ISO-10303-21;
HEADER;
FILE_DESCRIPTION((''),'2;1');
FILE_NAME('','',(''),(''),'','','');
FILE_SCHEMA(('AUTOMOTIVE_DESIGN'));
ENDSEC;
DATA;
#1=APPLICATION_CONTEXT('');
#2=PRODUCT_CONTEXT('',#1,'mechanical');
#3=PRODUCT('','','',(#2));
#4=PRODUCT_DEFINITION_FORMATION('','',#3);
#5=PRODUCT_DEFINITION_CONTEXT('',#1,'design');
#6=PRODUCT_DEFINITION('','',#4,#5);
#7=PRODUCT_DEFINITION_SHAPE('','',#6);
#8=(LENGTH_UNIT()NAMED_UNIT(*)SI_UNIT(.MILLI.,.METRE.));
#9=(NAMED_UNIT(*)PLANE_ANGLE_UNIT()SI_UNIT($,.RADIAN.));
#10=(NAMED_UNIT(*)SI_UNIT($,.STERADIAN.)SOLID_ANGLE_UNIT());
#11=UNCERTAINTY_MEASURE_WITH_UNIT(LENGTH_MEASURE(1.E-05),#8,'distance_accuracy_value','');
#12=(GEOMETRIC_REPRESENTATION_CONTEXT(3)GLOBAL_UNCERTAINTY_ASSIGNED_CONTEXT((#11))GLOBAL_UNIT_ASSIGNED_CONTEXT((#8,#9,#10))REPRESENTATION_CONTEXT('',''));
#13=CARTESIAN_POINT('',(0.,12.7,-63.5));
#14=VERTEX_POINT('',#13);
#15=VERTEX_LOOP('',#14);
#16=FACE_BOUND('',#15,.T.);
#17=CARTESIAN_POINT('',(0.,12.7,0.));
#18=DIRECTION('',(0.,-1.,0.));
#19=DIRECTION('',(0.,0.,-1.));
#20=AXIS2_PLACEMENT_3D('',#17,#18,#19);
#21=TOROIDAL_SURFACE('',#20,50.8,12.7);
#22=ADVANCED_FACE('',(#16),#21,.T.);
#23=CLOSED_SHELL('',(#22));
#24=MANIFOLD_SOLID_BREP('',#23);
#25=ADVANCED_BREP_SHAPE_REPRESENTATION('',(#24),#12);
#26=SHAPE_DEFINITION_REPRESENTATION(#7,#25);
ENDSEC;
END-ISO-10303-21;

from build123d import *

# Parameters (mm, degrees)
SKETCH1_R = 12.7


with BuildPart() as part:
    # Sketch1 → Revolve1 (revolve)
    with BuildSketch(Plane.XY, mode=Mode.PRIVATE) as revolve1_sk:
        with Locations((50.8, 12.7)):
            Circle(SKETCH1_R)
    revolve(revolve1_sk.sketch.rotate(Axis((0, 0, 0), (0, 1, 0)), 90), axis=Axis((0, 0, 0), (0, 1, 0)))


solid = part.part
